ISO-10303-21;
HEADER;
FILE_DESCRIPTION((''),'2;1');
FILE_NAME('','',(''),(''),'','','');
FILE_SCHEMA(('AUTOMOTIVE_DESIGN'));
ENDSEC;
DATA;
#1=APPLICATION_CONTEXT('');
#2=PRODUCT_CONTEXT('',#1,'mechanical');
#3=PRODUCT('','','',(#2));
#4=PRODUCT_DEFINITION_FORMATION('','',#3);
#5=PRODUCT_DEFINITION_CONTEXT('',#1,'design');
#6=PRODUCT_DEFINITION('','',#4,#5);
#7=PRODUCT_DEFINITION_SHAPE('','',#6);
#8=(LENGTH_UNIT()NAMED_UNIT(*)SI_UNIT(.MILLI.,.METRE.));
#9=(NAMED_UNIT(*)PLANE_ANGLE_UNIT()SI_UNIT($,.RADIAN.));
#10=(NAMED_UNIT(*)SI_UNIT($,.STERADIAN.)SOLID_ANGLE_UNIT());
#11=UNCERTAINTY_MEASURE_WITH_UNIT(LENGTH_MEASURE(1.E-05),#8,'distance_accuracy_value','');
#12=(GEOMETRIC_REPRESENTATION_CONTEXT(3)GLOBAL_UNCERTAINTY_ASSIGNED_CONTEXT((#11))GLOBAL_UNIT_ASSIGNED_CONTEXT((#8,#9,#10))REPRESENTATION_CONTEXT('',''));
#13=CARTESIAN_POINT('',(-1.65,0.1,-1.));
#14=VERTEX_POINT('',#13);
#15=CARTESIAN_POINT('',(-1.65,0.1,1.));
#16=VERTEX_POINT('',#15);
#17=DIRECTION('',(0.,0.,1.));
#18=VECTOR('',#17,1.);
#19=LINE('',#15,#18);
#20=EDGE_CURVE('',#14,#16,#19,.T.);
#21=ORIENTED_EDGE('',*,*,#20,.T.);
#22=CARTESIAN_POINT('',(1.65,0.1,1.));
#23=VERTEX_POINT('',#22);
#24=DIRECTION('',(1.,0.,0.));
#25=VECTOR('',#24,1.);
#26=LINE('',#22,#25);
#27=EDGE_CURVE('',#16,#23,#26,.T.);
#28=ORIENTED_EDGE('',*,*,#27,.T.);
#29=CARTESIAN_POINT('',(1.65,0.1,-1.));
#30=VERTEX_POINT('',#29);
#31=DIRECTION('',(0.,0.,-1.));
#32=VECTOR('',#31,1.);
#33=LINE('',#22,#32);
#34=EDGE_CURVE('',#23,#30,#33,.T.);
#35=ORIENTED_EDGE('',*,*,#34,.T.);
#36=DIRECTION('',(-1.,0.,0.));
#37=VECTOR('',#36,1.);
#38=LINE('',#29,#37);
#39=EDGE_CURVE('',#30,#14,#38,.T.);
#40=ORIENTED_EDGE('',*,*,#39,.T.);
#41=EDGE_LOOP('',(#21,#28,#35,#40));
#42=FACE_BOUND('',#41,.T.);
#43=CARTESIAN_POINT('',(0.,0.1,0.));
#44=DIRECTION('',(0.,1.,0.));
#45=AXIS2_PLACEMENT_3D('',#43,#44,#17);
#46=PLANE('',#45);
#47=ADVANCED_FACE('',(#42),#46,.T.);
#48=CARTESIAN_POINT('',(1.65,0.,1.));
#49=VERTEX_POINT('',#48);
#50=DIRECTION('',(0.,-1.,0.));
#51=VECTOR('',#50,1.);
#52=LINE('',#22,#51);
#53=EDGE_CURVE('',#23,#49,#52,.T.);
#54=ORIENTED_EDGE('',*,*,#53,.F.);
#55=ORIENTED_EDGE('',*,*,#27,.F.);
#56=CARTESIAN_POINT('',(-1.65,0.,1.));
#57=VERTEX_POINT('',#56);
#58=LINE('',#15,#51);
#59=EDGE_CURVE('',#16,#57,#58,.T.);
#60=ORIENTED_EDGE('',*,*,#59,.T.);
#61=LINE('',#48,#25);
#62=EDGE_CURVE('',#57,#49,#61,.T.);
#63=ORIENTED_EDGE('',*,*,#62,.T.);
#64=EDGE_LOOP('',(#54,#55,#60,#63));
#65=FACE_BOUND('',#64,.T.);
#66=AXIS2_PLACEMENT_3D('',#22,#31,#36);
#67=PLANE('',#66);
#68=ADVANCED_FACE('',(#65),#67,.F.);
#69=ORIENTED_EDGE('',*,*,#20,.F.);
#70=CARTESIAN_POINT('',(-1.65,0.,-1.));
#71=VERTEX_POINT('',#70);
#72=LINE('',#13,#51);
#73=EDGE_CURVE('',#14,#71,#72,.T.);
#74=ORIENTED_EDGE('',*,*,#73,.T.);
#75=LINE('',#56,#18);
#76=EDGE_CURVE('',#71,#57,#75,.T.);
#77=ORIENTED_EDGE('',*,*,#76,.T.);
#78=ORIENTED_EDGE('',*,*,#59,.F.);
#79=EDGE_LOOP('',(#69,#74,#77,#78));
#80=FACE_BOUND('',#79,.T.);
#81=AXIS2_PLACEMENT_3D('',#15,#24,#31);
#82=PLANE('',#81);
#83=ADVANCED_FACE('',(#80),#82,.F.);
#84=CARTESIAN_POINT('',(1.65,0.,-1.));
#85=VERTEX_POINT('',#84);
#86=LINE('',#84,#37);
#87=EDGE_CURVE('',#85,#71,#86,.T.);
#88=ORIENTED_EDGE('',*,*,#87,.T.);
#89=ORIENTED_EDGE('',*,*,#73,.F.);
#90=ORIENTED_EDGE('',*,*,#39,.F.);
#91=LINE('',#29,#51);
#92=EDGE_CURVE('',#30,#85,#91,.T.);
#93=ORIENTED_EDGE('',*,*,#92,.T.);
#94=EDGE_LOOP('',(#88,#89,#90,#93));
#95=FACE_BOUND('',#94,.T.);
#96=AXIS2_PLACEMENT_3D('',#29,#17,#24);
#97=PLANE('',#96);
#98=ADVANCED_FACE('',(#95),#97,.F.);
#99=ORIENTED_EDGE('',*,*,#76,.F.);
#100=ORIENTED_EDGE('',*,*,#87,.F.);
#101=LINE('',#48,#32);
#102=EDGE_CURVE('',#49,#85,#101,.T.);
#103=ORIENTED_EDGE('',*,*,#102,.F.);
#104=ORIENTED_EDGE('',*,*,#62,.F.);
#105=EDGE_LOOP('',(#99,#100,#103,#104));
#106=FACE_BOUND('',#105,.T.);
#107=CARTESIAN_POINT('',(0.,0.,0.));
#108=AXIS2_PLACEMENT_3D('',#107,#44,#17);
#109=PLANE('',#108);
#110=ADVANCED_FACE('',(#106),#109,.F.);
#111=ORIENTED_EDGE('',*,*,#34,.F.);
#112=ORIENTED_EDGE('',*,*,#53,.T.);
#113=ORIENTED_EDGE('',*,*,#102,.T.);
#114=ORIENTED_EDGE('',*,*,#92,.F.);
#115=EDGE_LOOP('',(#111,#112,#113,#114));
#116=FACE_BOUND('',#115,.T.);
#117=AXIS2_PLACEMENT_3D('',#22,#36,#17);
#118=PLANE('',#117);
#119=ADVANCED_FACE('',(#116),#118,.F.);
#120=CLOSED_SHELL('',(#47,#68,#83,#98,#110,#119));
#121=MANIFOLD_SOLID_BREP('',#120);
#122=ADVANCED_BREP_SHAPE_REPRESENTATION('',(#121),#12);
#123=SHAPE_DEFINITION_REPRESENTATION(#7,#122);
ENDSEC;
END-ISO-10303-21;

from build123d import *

# Parameters (mm, degrees)
ESQUISSE1_W        = 3.3
ESQUISSE1_H        = 2
BOSS_EXTRU_1_DEPTH = 0.1


with BuildPart() as part:
    # Esquisse1 → Boss.-Extru.1 (new body)
    with BuildSketch(Plane(origin=(0, 0, 0), x_dir=(1, 0, 0), z_dir=(0, 1, 0))):
        Rectangle(ESQUISSE1_W, ESQUISSE1_H)
    extrude(amount=BOSS_EXTRU_1_DEPTH)


solid = part.part
